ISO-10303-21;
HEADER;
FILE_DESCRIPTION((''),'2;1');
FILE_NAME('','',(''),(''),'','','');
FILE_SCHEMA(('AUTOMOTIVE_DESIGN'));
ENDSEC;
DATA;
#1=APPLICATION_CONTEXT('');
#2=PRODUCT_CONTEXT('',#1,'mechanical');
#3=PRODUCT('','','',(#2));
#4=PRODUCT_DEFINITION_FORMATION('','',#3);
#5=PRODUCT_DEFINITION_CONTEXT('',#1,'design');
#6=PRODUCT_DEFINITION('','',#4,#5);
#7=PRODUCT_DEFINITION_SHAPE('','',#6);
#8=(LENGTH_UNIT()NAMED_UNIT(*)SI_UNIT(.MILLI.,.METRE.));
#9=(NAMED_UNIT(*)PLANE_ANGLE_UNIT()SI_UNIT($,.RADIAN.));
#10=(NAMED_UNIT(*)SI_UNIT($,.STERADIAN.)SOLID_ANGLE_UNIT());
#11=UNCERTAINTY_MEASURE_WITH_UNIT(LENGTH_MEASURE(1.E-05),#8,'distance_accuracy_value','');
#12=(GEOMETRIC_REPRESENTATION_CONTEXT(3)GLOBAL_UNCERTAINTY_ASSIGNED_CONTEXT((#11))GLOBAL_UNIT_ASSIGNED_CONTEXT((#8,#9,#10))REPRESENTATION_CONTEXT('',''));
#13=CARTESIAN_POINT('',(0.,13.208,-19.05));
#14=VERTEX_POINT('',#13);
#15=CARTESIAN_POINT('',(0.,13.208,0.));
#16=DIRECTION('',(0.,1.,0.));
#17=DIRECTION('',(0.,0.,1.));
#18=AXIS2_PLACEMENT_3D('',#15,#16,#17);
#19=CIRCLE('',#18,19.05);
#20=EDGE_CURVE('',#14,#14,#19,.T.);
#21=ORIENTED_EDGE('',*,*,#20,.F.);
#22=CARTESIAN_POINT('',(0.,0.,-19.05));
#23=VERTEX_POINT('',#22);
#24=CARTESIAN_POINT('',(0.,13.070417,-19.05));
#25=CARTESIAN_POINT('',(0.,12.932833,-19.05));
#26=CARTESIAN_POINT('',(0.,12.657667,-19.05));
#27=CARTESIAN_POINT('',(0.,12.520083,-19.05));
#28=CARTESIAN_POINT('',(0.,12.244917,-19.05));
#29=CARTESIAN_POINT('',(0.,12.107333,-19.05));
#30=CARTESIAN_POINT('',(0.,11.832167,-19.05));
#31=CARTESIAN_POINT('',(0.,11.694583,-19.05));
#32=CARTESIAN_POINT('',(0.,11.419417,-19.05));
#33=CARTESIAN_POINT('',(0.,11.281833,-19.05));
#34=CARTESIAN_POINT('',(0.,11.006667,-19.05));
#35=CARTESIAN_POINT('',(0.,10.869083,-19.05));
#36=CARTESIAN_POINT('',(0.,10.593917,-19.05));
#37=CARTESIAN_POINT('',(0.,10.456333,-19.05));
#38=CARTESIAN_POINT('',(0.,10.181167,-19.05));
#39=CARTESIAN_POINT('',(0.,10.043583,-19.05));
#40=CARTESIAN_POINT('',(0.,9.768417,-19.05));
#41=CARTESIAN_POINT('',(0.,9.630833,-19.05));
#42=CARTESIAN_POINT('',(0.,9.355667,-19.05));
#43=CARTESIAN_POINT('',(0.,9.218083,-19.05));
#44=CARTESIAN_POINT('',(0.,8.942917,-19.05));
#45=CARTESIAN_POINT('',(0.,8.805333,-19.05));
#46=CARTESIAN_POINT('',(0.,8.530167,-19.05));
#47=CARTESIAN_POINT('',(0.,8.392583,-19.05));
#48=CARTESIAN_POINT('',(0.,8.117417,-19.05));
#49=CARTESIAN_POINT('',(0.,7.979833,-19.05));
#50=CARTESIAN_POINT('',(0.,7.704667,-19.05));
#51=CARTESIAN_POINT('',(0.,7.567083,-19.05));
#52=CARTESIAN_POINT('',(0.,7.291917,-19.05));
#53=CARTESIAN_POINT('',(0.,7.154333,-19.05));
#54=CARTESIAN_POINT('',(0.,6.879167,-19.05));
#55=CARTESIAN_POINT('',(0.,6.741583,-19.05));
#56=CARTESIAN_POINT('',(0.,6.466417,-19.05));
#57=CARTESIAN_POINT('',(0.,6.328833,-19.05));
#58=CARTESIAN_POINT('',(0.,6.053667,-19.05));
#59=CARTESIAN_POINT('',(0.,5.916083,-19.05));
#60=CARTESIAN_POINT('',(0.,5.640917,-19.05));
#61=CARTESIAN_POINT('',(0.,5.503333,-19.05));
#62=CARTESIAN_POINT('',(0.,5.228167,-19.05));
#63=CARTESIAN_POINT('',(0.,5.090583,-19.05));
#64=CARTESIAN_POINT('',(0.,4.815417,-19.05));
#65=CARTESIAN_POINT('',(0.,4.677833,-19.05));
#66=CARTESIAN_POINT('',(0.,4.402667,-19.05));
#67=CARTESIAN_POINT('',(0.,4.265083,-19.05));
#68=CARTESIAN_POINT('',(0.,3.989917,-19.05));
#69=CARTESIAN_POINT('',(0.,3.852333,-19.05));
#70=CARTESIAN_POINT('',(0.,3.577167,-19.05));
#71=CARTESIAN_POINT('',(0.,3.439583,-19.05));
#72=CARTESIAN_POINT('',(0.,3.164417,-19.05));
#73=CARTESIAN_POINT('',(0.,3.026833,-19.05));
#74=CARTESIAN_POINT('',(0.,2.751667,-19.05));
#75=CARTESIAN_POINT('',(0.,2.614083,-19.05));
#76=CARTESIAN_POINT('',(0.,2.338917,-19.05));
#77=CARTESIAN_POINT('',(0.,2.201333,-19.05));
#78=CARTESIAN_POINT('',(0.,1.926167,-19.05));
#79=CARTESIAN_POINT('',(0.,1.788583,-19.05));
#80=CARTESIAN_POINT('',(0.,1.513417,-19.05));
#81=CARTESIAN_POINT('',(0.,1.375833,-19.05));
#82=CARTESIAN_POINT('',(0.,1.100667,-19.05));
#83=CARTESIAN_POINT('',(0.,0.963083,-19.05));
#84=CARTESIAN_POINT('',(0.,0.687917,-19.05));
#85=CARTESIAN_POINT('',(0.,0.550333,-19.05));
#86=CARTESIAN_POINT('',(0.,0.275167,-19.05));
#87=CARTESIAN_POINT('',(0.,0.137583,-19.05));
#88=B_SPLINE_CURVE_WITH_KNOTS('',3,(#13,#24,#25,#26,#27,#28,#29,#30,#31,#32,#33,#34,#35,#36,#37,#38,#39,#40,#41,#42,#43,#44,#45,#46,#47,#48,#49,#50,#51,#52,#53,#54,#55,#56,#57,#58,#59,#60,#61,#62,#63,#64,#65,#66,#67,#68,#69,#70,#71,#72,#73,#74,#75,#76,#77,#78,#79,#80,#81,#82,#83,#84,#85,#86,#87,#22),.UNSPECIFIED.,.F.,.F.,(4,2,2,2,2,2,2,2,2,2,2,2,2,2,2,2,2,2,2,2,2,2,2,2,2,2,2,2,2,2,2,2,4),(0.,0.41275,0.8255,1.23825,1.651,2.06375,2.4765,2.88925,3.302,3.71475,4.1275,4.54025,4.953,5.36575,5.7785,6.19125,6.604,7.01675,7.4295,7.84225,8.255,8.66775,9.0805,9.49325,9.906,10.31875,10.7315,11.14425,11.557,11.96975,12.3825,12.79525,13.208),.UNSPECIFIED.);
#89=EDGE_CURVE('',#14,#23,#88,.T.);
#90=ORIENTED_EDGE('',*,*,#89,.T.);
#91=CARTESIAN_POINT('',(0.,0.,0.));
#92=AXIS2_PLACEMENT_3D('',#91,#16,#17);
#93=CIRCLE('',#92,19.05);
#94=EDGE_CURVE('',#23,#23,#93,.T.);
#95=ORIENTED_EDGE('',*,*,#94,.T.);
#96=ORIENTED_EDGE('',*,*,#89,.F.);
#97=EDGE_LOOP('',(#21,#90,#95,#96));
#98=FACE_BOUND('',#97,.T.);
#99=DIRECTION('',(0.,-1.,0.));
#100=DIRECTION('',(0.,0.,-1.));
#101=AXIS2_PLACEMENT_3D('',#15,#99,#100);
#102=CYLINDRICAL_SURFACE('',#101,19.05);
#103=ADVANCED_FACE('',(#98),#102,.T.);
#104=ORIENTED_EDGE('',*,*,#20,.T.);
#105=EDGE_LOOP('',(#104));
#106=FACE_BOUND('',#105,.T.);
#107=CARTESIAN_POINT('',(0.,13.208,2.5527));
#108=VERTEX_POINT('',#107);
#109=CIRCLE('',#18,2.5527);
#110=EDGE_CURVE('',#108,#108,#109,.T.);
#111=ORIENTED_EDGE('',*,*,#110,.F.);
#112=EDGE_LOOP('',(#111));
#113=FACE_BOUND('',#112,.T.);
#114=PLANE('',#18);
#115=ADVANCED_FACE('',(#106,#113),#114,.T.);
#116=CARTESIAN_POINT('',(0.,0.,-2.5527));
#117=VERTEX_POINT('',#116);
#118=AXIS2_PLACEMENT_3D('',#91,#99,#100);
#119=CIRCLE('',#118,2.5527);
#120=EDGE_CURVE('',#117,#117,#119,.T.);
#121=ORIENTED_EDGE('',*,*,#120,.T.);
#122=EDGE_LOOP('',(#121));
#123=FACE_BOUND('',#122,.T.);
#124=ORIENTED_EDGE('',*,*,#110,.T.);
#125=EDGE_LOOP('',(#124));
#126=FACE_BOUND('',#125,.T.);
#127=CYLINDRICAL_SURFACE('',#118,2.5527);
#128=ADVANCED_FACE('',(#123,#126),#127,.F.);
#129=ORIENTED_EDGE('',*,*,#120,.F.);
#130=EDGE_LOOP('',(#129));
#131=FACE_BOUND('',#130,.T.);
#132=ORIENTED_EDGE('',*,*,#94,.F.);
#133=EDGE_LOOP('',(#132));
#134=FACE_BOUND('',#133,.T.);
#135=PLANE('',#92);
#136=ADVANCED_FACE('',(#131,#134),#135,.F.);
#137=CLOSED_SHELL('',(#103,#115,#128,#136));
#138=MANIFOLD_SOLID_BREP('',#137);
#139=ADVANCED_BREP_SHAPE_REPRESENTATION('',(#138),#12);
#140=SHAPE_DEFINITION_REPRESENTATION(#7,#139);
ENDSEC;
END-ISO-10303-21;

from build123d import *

# Parameters (mm, degrees)
SKETCH1_R                   = 19.05
BOSS_EXTRUDE1_DEPTH         = 13.208
F_1_4_20_TAPPED_HOLE1_D     = 5.1054
F_1_4_20_TAPPED_HOLE1_DEPTH = 16.51
F_1_4_20_TAPPED_HOLE1_TIP   = 1.533816902


with BuildPart() as part:
    # Sketch1 → Boss-Extrude1 (new body)
    with BuildSketch(Plane(origin=(0, 0, 0), x_dir=(1, 0, 0), z_dir=(0, 1, 0))):
        with Locations(Location((0, 0, 0), (0, 0, 90))):
            Circle(SKETCH1_R)
    extrude(amount=BOSS_EXTRUDE1_DEPTH)

    # 1/4-20 Tapped Hole1
    with Locations(Plane(origin=(0, 0, 0), x_dir=(-1, 0, 0), z_dir=(0, -1, 0))):
        with Locations((0, 0)):
            Hole(F_1_4_20_TAPPED_HOLE1_D / 2, depth=F_1_4_20_TAPPED_HOLE1_DEPTH)
            with Locations((0, 0, -(F_1_4_20_TAPPED_HOLE1_DEPTH + F_1_4_20_TAPPED_HOLE1_TIP / 2))):  # 118° drill point
                Cone(0, F_1_4_20_TAPPED_HOLE1_D / 2, F_1_4_20_TAPPED_HOLE1_TIP, mode=Mode.SUBTRACT)


solid = part.part
